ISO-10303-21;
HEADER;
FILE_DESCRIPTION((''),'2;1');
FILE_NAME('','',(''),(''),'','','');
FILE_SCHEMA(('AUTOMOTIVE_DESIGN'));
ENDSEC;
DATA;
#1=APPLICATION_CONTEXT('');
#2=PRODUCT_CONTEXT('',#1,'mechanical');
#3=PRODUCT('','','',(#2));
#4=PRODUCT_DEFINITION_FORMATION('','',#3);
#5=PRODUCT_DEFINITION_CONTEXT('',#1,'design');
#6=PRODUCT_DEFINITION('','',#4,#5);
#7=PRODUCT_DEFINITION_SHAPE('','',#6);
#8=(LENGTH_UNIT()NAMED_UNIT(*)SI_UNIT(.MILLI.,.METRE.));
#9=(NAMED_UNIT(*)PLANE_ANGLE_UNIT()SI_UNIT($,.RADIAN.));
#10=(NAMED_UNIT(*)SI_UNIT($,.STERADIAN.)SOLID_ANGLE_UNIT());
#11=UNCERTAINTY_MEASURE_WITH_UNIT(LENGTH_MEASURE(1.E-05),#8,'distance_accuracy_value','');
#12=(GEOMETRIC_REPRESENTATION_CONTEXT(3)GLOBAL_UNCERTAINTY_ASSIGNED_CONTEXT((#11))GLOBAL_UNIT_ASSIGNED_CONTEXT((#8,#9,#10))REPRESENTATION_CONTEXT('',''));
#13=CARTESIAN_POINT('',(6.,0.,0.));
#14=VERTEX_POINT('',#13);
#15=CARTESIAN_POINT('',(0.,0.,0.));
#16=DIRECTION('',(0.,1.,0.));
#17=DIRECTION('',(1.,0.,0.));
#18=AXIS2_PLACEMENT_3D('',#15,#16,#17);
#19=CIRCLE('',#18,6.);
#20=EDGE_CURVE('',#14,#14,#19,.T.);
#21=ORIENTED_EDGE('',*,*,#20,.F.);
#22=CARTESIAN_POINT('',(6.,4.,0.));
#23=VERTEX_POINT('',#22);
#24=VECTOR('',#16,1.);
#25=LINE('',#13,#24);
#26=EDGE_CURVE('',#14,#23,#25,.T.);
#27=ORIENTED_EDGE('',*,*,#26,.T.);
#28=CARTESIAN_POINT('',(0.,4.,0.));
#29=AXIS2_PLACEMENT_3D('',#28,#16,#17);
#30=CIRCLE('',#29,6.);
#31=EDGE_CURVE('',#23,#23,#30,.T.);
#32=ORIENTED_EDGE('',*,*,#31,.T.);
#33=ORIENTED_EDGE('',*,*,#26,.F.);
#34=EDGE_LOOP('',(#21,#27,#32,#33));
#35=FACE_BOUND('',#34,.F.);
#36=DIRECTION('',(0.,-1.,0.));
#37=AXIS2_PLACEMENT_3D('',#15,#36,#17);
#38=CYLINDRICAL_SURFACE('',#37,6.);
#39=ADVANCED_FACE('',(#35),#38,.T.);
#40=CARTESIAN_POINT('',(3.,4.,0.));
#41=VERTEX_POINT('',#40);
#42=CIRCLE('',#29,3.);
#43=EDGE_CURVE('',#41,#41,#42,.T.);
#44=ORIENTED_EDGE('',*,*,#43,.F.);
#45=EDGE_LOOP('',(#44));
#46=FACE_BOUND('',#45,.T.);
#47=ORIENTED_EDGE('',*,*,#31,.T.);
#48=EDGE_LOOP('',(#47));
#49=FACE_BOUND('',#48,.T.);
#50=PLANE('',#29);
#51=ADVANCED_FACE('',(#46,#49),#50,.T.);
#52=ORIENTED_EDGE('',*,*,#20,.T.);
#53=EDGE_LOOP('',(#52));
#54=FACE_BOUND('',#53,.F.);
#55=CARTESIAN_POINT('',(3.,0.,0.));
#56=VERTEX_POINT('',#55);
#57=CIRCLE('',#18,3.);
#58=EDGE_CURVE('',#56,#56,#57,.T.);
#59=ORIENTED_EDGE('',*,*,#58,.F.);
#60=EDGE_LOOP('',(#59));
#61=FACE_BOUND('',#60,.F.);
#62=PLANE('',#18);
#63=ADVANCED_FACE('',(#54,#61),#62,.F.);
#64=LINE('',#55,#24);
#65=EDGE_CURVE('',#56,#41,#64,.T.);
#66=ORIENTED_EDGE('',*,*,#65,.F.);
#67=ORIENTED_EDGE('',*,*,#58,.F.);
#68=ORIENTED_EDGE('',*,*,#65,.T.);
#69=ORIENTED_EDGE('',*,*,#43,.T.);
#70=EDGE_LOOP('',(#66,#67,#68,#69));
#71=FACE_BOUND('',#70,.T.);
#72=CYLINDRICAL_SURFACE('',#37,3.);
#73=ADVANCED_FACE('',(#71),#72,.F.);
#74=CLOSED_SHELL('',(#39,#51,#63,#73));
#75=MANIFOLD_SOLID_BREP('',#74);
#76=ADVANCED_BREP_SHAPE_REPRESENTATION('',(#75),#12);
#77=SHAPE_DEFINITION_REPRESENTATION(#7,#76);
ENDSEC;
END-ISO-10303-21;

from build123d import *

# Parameters (mm, degrees)
SKETCH1_R           = 6
SKETCH1_R_2         = 3
BOSS_EXTRUDE1_DEPTH = 4


with BuildPart() as part:
    # Sketch1 → Boss-Extrude1 (new body)
    with BuildSketch(Plane(origin=(0, 0, 0), x_dir=(1, 0, 0), z_dir=(0, 1, 0))):
        Circle(SKETCH1_R)
        Circle(SKETCH1_R_2, mode=Mode.SUBTRACT)
    extrude(amount=BOSS_EXTRUDE1_DEPTH)


solid = part.part
